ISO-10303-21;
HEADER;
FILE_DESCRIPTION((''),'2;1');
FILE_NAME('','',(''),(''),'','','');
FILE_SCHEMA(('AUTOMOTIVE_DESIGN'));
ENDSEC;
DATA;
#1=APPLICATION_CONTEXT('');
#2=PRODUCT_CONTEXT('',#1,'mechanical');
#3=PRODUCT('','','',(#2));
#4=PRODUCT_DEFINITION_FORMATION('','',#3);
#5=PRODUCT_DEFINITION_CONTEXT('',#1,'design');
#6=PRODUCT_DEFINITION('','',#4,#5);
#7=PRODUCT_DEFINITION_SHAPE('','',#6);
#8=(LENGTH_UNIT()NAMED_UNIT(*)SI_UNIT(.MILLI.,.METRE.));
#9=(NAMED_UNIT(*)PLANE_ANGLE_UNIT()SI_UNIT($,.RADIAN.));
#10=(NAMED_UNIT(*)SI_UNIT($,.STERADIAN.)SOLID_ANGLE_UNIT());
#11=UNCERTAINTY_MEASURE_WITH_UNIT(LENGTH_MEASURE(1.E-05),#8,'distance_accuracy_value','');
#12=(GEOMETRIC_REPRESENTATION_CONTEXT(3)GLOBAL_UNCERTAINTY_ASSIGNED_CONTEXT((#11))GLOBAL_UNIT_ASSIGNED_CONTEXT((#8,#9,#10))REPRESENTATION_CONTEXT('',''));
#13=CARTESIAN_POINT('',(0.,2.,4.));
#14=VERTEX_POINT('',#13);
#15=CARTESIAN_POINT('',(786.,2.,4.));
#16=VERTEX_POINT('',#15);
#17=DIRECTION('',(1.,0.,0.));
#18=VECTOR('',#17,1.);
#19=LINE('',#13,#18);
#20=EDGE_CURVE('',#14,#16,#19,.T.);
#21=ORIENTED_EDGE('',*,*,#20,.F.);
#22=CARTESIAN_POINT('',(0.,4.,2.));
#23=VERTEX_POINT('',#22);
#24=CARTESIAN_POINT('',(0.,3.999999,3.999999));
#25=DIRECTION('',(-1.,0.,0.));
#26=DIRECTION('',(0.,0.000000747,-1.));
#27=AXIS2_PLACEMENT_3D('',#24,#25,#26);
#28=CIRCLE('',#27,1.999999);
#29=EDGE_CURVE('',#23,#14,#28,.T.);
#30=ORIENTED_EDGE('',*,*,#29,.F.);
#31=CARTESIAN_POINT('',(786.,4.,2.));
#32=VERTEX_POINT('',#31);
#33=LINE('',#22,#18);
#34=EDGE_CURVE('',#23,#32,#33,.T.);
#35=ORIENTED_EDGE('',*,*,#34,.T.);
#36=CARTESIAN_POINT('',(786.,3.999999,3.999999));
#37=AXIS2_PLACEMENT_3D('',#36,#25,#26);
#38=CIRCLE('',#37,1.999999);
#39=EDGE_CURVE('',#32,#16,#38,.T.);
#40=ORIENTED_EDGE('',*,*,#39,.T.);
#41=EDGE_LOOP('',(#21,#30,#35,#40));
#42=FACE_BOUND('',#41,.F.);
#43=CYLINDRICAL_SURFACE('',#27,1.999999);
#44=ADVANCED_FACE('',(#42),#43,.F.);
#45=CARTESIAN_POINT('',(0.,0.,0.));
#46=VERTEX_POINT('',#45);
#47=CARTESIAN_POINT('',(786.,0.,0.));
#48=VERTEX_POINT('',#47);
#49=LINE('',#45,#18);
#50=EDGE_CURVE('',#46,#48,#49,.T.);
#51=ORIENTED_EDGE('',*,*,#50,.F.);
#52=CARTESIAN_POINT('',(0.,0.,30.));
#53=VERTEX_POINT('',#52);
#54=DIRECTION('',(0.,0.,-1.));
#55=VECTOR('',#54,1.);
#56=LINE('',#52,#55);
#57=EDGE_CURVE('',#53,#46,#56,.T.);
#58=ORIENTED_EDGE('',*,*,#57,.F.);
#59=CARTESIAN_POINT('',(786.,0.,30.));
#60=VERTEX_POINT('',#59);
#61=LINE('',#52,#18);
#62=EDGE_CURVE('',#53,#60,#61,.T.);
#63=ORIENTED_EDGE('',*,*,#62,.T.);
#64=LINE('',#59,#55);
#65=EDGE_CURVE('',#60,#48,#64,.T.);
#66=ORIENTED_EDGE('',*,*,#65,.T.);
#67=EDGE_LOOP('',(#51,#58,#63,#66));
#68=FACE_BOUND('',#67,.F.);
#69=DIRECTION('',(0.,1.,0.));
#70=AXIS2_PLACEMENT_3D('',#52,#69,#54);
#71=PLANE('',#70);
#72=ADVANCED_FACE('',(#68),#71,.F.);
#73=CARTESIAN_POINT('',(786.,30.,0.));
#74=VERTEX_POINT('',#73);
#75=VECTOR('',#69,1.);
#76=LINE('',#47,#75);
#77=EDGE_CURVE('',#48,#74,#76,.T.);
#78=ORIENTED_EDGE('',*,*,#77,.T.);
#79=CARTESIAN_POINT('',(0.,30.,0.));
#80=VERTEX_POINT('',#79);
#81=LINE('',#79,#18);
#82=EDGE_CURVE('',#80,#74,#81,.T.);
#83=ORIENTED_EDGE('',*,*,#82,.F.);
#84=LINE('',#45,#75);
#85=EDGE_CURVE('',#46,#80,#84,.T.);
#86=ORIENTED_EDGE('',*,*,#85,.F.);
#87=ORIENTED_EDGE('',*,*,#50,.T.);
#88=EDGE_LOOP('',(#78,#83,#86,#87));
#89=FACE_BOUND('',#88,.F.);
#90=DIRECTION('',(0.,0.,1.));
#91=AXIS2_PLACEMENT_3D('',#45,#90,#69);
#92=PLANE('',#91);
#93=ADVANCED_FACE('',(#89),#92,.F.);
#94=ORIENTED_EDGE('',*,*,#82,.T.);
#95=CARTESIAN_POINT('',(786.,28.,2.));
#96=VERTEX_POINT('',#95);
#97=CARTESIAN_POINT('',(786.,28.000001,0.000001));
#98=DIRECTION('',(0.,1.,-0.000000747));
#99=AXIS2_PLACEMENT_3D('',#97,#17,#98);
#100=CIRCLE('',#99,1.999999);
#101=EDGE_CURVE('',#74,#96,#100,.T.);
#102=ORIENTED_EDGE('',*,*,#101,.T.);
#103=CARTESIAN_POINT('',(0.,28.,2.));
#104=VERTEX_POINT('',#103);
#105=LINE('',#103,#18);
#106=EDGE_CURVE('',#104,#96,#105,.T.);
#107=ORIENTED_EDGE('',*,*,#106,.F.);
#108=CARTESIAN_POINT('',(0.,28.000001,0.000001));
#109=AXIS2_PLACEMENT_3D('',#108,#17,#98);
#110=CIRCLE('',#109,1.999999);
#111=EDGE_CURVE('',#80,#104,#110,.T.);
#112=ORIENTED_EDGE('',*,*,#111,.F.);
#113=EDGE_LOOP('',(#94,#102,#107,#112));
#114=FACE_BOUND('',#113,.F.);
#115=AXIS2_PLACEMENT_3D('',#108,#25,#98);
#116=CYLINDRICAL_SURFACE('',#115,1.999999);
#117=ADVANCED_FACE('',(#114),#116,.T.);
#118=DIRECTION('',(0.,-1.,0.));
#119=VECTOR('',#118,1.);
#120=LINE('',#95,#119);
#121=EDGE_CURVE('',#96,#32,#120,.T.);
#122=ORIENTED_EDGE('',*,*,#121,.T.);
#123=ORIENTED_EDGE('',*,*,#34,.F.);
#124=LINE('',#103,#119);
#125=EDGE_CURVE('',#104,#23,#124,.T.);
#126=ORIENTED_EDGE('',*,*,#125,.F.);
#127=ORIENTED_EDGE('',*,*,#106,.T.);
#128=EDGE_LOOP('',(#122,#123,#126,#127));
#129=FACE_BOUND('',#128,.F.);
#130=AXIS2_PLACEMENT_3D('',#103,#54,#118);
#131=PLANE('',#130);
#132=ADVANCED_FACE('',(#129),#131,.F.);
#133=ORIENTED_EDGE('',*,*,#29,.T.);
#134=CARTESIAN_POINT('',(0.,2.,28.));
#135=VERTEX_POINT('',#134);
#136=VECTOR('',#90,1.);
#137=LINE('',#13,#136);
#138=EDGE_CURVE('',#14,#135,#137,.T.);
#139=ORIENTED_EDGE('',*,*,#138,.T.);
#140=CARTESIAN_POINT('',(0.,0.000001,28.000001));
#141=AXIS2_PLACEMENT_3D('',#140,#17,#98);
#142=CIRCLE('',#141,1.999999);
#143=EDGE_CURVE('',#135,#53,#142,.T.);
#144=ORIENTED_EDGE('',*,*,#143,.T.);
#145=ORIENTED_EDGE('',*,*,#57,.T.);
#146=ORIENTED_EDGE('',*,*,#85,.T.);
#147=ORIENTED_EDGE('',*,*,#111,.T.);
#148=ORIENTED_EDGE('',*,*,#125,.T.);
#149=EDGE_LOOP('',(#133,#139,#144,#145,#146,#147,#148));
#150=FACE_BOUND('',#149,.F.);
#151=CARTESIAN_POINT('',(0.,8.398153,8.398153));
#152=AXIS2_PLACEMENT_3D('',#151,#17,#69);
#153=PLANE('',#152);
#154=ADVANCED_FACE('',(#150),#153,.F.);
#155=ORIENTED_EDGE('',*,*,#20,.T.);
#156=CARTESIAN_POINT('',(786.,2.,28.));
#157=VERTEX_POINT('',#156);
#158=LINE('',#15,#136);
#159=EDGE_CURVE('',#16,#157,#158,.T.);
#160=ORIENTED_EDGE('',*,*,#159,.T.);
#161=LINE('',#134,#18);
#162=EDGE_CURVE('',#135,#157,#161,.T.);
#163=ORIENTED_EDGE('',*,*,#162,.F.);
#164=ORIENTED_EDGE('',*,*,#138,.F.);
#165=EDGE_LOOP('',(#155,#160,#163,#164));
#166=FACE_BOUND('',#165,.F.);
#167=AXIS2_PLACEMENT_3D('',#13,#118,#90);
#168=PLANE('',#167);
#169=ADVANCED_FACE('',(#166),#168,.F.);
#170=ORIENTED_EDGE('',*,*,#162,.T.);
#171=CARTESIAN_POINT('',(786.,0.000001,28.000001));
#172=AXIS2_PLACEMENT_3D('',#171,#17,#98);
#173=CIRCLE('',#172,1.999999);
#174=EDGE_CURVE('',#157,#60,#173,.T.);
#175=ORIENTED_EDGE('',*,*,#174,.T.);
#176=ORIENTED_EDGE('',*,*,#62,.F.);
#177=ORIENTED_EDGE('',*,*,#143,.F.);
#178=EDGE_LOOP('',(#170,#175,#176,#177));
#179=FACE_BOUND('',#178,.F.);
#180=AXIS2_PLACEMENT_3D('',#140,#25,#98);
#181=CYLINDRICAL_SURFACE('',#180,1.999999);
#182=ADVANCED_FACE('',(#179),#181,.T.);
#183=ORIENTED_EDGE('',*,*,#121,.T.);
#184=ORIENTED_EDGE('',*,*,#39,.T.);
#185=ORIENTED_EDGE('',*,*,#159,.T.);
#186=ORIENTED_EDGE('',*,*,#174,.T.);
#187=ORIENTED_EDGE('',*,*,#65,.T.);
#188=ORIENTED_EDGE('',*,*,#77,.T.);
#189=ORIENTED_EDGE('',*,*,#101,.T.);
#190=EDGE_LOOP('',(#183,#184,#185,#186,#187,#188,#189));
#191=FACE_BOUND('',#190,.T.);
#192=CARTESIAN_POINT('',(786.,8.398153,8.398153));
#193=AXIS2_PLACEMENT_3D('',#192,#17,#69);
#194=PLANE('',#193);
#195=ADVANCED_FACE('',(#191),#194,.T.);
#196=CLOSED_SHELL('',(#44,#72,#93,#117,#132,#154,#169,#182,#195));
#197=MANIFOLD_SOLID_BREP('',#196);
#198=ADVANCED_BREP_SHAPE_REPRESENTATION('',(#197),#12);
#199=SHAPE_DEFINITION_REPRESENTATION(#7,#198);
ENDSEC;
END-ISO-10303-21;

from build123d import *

# Parameters (mm, degrees)
F1_DEPTH = 786


with BuildPart() as f1:
    # F0 (on Right) → F1 (new body)
    with BuildSketch(Plane.YZ):
        with BuildLine():
            Line((0, 30), (0, 0))
            Line((0, 0), (30, 0))
            ThreePointArc((30, 0), (29.414214, 1.414214), (28, 2))
            Line((28, 2), (4, 2))
            ThreePointArc((4, 2), (2.585786, 2.585786), (2, 4))
            Line((2, 4), (2, 28))
            ThreePointArc((2, 28), (1.414214, 29.414214), (0, 30))
        make_face()
    extrude(amount=F1_DEPTH)


solid = f1.part
